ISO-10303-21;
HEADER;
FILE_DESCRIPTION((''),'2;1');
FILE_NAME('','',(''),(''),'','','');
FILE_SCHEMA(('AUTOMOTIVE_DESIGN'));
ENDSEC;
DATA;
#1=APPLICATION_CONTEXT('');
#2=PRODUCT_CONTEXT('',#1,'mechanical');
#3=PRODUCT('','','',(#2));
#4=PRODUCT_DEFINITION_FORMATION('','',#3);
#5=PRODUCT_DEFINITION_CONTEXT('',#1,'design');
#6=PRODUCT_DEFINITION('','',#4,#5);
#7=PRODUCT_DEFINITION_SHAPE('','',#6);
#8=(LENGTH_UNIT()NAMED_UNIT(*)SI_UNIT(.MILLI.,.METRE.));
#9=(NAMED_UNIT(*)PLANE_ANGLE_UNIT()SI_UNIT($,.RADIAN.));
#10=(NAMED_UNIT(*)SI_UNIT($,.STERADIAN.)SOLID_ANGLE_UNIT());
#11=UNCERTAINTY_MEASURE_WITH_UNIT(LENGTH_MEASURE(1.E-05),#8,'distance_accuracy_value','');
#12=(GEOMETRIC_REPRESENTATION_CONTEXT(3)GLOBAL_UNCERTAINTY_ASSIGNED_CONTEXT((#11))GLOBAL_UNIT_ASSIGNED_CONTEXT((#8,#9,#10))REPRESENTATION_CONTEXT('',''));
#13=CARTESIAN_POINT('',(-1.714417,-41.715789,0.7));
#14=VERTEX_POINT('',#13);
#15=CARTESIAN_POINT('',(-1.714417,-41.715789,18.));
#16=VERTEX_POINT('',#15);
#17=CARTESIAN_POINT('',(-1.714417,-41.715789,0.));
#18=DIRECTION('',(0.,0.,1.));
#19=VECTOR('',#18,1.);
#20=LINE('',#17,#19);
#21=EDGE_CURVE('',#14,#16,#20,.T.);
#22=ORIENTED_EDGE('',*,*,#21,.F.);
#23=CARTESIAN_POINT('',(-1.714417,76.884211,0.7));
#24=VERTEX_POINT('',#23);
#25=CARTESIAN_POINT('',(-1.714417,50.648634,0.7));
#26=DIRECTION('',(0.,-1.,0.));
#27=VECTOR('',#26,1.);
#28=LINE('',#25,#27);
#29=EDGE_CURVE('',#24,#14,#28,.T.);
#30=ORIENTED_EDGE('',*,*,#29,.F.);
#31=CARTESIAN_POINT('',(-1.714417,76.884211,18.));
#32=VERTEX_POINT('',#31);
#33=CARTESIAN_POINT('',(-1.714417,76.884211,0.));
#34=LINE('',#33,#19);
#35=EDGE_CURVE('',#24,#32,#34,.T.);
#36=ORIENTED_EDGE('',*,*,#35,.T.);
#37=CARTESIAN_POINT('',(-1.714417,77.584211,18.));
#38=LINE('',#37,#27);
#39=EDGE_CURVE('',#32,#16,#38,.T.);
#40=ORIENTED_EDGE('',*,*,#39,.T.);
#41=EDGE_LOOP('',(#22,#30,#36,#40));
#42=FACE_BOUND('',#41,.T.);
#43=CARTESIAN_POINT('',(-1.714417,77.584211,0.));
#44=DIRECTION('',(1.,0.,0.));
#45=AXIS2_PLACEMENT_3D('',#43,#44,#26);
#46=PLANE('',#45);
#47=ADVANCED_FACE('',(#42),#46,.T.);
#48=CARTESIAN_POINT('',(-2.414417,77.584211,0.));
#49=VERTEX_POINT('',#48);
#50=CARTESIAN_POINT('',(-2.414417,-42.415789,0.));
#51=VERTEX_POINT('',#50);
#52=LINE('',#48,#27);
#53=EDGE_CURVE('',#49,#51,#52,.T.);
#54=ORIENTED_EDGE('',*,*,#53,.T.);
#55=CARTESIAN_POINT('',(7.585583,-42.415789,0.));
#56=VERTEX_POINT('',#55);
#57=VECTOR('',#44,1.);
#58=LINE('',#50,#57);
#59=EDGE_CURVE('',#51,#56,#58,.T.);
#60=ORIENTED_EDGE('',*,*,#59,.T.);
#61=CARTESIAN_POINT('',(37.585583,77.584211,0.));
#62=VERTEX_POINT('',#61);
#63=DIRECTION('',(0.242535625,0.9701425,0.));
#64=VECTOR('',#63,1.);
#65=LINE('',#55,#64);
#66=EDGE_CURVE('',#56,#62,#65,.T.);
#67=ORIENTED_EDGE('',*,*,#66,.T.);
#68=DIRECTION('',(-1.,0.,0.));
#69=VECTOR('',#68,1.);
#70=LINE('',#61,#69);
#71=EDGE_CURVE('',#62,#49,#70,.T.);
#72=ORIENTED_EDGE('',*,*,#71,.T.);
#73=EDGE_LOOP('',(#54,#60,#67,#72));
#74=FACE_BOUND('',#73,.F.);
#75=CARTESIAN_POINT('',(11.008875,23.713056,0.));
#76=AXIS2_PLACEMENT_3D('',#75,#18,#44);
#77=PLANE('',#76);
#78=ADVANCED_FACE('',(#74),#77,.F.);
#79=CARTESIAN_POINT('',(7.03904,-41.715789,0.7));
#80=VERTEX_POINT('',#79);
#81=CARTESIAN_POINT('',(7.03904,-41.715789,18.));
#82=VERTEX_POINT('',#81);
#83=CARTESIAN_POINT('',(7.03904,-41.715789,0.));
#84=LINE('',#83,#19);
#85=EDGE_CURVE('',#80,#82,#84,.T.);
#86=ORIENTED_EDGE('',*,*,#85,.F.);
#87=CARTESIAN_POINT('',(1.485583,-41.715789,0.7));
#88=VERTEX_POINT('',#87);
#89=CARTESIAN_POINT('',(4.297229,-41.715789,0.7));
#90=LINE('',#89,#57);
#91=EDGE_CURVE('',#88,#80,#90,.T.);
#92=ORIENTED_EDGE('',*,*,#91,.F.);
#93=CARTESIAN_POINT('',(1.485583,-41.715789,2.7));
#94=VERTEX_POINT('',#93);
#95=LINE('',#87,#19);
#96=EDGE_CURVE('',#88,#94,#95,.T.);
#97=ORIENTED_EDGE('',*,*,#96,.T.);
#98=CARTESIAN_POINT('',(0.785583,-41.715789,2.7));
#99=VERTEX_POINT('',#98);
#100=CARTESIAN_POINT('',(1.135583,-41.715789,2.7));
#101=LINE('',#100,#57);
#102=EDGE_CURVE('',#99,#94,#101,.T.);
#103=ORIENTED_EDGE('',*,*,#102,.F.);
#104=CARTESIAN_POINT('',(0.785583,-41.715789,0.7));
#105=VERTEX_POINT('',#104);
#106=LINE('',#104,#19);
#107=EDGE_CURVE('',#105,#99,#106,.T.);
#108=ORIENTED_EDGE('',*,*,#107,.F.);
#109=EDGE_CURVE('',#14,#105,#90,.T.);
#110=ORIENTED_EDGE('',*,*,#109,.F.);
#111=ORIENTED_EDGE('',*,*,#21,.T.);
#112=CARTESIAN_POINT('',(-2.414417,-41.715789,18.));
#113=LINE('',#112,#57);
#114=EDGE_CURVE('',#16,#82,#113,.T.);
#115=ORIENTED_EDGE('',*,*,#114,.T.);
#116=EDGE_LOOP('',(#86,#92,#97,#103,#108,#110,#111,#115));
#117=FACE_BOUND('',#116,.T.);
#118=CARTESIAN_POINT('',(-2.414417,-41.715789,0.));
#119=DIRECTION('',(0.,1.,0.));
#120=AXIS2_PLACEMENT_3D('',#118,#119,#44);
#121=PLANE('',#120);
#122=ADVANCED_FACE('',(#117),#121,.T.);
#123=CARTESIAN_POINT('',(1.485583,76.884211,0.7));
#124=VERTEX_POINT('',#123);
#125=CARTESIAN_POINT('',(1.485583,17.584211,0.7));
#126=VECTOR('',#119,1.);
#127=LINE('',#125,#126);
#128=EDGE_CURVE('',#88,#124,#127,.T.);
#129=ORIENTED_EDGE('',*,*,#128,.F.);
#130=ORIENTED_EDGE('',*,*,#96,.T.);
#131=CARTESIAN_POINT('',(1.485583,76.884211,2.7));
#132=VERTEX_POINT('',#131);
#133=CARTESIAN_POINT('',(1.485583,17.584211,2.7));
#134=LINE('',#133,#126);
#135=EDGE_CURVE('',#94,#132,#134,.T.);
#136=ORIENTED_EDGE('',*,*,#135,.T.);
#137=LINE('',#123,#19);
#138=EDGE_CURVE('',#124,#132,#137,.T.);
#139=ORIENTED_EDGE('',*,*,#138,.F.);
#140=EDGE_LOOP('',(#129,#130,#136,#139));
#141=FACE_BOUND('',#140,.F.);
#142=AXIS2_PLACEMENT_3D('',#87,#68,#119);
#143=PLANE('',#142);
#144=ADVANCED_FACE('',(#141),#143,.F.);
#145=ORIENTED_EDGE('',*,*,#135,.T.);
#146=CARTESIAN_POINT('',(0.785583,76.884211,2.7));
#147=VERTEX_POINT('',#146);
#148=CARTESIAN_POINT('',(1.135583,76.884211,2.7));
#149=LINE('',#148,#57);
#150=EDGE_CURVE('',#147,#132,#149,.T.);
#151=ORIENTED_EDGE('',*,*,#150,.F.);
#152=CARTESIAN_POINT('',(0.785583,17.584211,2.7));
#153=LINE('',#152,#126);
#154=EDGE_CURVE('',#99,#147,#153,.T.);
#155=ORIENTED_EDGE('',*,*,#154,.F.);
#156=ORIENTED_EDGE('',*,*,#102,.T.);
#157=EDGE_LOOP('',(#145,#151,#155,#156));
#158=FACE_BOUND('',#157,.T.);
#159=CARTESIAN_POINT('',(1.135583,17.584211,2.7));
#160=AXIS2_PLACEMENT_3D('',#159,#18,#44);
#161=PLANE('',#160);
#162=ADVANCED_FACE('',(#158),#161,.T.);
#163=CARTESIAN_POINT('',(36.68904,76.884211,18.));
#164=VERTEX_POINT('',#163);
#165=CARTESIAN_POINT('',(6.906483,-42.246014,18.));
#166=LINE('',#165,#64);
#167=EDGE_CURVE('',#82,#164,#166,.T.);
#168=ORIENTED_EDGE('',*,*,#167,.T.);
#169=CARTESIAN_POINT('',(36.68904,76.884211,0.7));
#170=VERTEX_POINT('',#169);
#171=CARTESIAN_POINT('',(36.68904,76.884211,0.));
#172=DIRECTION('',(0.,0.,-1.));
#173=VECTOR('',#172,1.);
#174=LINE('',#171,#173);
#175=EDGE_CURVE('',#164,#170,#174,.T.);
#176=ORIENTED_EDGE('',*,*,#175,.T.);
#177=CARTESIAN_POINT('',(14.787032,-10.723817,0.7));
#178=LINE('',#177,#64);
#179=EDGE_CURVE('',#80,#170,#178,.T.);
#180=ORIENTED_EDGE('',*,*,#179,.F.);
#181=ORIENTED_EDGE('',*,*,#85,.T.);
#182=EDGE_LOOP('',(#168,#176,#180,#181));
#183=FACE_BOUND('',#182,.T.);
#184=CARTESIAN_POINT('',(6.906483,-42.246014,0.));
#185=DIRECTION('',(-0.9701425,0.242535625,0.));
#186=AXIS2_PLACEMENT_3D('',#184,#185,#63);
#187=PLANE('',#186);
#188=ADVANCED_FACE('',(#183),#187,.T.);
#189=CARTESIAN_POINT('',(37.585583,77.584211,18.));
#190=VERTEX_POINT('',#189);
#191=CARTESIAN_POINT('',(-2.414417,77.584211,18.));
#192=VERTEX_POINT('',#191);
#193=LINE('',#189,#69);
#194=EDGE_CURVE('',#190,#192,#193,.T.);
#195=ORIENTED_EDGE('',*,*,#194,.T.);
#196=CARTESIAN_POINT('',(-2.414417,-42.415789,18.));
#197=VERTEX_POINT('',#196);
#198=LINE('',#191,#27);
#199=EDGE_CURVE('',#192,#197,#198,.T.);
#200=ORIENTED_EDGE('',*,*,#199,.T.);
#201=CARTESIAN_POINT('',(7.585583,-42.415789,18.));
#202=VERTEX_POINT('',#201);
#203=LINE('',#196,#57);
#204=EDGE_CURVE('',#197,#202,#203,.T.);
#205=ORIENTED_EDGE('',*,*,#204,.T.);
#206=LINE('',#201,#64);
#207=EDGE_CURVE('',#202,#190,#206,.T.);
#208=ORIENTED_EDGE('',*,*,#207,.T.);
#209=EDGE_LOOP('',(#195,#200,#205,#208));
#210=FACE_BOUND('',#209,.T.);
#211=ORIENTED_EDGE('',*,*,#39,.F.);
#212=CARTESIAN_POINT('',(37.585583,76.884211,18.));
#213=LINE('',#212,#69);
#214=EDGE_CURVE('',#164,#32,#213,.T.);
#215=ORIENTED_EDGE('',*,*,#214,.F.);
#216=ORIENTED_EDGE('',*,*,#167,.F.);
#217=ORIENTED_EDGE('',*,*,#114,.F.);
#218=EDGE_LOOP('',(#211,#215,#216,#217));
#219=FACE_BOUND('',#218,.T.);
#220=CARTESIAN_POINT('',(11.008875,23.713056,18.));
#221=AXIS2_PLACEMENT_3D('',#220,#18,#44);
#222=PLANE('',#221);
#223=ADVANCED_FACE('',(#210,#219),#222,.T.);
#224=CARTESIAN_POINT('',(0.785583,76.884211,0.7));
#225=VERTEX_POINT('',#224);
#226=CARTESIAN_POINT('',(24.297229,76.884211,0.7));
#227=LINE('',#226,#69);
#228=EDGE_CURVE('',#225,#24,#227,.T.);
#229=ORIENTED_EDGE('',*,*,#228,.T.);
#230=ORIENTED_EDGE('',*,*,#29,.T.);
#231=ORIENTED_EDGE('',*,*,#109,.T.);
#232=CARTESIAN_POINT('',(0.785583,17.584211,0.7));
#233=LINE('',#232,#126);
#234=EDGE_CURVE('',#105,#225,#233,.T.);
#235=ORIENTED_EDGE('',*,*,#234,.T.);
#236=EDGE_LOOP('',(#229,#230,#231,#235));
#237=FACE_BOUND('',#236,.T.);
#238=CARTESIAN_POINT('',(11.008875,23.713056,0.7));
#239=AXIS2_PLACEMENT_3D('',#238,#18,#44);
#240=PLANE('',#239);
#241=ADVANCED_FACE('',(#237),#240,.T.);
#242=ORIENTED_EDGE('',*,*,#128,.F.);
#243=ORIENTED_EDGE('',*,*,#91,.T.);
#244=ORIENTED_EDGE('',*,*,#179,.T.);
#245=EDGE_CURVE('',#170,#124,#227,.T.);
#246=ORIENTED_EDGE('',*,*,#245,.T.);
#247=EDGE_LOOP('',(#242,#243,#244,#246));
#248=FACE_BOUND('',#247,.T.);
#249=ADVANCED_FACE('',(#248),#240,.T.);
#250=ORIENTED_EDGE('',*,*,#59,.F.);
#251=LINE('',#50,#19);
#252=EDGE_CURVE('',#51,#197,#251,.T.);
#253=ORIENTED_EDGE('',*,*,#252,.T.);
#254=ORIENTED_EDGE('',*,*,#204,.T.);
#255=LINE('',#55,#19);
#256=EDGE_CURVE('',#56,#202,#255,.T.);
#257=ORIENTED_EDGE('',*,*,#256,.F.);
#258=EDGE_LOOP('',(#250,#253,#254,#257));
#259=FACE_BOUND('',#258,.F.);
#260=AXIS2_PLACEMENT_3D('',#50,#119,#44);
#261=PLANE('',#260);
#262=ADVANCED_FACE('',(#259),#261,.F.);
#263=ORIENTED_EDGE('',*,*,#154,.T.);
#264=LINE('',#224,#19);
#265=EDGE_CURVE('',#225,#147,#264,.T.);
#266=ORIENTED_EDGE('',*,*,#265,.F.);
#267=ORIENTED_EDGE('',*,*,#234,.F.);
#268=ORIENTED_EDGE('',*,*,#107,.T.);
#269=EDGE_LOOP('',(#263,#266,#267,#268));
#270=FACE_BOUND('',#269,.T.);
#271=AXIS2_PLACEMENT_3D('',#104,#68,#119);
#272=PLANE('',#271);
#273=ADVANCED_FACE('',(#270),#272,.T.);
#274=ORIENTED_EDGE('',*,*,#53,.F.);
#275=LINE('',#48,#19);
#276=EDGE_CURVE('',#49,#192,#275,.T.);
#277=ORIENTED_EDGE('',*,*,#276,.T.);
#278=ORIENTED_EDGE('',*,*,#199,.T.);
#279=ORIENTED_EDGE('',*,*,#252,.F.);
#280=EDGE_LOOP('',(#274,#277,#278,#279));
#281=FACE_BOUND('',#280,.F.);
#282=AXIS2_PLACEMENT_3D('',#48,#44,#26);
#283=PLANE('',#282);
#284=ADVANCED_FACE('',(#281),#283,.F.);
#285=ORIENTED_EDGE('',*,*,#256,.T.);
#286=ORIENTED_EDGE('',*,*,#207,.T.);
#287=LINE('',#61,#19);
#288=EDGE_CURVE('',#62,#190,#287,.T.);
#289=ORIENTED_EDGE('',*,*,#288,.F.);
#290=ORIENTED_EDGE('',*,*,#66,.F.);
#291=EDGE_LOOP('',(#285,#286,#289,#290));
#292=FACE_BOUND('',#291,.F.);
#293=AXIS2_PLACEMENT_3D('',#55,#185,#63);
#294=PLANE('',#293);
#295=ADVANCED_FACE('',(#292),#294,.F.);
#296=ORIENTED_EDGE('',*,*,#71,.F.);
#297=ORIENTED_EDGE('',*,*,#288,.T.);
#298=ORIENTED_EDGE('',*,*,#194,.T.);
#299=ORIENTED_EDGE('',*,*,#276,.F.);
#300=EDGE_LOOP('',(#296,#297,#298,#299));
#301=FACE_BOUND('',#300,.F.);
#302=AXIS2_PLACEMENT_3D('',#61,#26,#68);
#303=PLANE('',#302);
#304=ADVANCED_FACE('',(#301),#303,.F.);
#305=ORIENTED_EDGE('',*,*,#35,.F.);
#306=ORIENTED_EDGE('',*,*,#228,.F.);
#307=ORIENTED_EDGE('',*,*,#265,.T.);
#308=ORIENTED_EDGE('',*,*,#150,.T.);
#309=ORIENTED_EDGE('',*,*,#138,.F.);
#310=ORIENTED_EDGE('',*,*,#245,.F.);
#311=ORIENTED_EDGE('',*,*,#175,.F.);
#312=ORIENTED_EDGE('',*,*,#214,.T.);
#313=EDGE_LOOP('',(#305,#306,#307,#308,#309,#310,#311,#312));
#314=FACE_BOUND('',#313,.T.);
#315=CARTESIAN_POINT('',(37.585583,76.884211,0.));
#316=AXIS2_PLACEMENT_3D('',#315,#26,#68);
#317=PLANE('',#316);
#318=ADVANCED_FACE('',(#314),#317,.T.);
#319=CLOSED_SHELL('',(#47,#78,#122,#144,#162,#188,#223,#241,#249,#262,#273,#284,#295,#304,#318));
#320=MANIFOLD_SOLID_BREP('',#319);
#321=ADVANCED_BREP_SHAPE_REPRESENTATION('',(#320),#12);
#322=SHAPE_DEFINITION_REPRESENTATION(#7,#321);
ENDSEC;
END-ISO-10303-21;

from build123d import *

# Parameters (mm, degrees)
F1_DEPTH = 18
F2_T     = -0.7
F4_W     = 0.7
F4_H     = 118.6
F5_DEPTH = 2


with BuildPart() as f1:
    # F0 (on Top) → F1 (new body)
    with BuildSketch(Plane.XY):
        Polygon((37.585583, 77.584211), (-2.414417, 77.584211), (-2.414417, -42.415789), (7.585583, -42.415789), align=None)
    extrude(amount=F1_DEPTH)

    # F2
    f2_openings = [f1.faces().sort_by_distance(p)[0] for p in [
        (11.585583, 29.584211, 18),
    ]]
    offset(amount=F2_T, openings=f2_openings)

    # F4 (on face) → F5 (join)
    with BuildSketch(Plane.XY.offset(0.7)):
        with Locations((1.135583, 17.584211)):
            Rectangle(F4_W, F4_H)
    extrude(amount=F5_DEPTH)


solid = f1.part
